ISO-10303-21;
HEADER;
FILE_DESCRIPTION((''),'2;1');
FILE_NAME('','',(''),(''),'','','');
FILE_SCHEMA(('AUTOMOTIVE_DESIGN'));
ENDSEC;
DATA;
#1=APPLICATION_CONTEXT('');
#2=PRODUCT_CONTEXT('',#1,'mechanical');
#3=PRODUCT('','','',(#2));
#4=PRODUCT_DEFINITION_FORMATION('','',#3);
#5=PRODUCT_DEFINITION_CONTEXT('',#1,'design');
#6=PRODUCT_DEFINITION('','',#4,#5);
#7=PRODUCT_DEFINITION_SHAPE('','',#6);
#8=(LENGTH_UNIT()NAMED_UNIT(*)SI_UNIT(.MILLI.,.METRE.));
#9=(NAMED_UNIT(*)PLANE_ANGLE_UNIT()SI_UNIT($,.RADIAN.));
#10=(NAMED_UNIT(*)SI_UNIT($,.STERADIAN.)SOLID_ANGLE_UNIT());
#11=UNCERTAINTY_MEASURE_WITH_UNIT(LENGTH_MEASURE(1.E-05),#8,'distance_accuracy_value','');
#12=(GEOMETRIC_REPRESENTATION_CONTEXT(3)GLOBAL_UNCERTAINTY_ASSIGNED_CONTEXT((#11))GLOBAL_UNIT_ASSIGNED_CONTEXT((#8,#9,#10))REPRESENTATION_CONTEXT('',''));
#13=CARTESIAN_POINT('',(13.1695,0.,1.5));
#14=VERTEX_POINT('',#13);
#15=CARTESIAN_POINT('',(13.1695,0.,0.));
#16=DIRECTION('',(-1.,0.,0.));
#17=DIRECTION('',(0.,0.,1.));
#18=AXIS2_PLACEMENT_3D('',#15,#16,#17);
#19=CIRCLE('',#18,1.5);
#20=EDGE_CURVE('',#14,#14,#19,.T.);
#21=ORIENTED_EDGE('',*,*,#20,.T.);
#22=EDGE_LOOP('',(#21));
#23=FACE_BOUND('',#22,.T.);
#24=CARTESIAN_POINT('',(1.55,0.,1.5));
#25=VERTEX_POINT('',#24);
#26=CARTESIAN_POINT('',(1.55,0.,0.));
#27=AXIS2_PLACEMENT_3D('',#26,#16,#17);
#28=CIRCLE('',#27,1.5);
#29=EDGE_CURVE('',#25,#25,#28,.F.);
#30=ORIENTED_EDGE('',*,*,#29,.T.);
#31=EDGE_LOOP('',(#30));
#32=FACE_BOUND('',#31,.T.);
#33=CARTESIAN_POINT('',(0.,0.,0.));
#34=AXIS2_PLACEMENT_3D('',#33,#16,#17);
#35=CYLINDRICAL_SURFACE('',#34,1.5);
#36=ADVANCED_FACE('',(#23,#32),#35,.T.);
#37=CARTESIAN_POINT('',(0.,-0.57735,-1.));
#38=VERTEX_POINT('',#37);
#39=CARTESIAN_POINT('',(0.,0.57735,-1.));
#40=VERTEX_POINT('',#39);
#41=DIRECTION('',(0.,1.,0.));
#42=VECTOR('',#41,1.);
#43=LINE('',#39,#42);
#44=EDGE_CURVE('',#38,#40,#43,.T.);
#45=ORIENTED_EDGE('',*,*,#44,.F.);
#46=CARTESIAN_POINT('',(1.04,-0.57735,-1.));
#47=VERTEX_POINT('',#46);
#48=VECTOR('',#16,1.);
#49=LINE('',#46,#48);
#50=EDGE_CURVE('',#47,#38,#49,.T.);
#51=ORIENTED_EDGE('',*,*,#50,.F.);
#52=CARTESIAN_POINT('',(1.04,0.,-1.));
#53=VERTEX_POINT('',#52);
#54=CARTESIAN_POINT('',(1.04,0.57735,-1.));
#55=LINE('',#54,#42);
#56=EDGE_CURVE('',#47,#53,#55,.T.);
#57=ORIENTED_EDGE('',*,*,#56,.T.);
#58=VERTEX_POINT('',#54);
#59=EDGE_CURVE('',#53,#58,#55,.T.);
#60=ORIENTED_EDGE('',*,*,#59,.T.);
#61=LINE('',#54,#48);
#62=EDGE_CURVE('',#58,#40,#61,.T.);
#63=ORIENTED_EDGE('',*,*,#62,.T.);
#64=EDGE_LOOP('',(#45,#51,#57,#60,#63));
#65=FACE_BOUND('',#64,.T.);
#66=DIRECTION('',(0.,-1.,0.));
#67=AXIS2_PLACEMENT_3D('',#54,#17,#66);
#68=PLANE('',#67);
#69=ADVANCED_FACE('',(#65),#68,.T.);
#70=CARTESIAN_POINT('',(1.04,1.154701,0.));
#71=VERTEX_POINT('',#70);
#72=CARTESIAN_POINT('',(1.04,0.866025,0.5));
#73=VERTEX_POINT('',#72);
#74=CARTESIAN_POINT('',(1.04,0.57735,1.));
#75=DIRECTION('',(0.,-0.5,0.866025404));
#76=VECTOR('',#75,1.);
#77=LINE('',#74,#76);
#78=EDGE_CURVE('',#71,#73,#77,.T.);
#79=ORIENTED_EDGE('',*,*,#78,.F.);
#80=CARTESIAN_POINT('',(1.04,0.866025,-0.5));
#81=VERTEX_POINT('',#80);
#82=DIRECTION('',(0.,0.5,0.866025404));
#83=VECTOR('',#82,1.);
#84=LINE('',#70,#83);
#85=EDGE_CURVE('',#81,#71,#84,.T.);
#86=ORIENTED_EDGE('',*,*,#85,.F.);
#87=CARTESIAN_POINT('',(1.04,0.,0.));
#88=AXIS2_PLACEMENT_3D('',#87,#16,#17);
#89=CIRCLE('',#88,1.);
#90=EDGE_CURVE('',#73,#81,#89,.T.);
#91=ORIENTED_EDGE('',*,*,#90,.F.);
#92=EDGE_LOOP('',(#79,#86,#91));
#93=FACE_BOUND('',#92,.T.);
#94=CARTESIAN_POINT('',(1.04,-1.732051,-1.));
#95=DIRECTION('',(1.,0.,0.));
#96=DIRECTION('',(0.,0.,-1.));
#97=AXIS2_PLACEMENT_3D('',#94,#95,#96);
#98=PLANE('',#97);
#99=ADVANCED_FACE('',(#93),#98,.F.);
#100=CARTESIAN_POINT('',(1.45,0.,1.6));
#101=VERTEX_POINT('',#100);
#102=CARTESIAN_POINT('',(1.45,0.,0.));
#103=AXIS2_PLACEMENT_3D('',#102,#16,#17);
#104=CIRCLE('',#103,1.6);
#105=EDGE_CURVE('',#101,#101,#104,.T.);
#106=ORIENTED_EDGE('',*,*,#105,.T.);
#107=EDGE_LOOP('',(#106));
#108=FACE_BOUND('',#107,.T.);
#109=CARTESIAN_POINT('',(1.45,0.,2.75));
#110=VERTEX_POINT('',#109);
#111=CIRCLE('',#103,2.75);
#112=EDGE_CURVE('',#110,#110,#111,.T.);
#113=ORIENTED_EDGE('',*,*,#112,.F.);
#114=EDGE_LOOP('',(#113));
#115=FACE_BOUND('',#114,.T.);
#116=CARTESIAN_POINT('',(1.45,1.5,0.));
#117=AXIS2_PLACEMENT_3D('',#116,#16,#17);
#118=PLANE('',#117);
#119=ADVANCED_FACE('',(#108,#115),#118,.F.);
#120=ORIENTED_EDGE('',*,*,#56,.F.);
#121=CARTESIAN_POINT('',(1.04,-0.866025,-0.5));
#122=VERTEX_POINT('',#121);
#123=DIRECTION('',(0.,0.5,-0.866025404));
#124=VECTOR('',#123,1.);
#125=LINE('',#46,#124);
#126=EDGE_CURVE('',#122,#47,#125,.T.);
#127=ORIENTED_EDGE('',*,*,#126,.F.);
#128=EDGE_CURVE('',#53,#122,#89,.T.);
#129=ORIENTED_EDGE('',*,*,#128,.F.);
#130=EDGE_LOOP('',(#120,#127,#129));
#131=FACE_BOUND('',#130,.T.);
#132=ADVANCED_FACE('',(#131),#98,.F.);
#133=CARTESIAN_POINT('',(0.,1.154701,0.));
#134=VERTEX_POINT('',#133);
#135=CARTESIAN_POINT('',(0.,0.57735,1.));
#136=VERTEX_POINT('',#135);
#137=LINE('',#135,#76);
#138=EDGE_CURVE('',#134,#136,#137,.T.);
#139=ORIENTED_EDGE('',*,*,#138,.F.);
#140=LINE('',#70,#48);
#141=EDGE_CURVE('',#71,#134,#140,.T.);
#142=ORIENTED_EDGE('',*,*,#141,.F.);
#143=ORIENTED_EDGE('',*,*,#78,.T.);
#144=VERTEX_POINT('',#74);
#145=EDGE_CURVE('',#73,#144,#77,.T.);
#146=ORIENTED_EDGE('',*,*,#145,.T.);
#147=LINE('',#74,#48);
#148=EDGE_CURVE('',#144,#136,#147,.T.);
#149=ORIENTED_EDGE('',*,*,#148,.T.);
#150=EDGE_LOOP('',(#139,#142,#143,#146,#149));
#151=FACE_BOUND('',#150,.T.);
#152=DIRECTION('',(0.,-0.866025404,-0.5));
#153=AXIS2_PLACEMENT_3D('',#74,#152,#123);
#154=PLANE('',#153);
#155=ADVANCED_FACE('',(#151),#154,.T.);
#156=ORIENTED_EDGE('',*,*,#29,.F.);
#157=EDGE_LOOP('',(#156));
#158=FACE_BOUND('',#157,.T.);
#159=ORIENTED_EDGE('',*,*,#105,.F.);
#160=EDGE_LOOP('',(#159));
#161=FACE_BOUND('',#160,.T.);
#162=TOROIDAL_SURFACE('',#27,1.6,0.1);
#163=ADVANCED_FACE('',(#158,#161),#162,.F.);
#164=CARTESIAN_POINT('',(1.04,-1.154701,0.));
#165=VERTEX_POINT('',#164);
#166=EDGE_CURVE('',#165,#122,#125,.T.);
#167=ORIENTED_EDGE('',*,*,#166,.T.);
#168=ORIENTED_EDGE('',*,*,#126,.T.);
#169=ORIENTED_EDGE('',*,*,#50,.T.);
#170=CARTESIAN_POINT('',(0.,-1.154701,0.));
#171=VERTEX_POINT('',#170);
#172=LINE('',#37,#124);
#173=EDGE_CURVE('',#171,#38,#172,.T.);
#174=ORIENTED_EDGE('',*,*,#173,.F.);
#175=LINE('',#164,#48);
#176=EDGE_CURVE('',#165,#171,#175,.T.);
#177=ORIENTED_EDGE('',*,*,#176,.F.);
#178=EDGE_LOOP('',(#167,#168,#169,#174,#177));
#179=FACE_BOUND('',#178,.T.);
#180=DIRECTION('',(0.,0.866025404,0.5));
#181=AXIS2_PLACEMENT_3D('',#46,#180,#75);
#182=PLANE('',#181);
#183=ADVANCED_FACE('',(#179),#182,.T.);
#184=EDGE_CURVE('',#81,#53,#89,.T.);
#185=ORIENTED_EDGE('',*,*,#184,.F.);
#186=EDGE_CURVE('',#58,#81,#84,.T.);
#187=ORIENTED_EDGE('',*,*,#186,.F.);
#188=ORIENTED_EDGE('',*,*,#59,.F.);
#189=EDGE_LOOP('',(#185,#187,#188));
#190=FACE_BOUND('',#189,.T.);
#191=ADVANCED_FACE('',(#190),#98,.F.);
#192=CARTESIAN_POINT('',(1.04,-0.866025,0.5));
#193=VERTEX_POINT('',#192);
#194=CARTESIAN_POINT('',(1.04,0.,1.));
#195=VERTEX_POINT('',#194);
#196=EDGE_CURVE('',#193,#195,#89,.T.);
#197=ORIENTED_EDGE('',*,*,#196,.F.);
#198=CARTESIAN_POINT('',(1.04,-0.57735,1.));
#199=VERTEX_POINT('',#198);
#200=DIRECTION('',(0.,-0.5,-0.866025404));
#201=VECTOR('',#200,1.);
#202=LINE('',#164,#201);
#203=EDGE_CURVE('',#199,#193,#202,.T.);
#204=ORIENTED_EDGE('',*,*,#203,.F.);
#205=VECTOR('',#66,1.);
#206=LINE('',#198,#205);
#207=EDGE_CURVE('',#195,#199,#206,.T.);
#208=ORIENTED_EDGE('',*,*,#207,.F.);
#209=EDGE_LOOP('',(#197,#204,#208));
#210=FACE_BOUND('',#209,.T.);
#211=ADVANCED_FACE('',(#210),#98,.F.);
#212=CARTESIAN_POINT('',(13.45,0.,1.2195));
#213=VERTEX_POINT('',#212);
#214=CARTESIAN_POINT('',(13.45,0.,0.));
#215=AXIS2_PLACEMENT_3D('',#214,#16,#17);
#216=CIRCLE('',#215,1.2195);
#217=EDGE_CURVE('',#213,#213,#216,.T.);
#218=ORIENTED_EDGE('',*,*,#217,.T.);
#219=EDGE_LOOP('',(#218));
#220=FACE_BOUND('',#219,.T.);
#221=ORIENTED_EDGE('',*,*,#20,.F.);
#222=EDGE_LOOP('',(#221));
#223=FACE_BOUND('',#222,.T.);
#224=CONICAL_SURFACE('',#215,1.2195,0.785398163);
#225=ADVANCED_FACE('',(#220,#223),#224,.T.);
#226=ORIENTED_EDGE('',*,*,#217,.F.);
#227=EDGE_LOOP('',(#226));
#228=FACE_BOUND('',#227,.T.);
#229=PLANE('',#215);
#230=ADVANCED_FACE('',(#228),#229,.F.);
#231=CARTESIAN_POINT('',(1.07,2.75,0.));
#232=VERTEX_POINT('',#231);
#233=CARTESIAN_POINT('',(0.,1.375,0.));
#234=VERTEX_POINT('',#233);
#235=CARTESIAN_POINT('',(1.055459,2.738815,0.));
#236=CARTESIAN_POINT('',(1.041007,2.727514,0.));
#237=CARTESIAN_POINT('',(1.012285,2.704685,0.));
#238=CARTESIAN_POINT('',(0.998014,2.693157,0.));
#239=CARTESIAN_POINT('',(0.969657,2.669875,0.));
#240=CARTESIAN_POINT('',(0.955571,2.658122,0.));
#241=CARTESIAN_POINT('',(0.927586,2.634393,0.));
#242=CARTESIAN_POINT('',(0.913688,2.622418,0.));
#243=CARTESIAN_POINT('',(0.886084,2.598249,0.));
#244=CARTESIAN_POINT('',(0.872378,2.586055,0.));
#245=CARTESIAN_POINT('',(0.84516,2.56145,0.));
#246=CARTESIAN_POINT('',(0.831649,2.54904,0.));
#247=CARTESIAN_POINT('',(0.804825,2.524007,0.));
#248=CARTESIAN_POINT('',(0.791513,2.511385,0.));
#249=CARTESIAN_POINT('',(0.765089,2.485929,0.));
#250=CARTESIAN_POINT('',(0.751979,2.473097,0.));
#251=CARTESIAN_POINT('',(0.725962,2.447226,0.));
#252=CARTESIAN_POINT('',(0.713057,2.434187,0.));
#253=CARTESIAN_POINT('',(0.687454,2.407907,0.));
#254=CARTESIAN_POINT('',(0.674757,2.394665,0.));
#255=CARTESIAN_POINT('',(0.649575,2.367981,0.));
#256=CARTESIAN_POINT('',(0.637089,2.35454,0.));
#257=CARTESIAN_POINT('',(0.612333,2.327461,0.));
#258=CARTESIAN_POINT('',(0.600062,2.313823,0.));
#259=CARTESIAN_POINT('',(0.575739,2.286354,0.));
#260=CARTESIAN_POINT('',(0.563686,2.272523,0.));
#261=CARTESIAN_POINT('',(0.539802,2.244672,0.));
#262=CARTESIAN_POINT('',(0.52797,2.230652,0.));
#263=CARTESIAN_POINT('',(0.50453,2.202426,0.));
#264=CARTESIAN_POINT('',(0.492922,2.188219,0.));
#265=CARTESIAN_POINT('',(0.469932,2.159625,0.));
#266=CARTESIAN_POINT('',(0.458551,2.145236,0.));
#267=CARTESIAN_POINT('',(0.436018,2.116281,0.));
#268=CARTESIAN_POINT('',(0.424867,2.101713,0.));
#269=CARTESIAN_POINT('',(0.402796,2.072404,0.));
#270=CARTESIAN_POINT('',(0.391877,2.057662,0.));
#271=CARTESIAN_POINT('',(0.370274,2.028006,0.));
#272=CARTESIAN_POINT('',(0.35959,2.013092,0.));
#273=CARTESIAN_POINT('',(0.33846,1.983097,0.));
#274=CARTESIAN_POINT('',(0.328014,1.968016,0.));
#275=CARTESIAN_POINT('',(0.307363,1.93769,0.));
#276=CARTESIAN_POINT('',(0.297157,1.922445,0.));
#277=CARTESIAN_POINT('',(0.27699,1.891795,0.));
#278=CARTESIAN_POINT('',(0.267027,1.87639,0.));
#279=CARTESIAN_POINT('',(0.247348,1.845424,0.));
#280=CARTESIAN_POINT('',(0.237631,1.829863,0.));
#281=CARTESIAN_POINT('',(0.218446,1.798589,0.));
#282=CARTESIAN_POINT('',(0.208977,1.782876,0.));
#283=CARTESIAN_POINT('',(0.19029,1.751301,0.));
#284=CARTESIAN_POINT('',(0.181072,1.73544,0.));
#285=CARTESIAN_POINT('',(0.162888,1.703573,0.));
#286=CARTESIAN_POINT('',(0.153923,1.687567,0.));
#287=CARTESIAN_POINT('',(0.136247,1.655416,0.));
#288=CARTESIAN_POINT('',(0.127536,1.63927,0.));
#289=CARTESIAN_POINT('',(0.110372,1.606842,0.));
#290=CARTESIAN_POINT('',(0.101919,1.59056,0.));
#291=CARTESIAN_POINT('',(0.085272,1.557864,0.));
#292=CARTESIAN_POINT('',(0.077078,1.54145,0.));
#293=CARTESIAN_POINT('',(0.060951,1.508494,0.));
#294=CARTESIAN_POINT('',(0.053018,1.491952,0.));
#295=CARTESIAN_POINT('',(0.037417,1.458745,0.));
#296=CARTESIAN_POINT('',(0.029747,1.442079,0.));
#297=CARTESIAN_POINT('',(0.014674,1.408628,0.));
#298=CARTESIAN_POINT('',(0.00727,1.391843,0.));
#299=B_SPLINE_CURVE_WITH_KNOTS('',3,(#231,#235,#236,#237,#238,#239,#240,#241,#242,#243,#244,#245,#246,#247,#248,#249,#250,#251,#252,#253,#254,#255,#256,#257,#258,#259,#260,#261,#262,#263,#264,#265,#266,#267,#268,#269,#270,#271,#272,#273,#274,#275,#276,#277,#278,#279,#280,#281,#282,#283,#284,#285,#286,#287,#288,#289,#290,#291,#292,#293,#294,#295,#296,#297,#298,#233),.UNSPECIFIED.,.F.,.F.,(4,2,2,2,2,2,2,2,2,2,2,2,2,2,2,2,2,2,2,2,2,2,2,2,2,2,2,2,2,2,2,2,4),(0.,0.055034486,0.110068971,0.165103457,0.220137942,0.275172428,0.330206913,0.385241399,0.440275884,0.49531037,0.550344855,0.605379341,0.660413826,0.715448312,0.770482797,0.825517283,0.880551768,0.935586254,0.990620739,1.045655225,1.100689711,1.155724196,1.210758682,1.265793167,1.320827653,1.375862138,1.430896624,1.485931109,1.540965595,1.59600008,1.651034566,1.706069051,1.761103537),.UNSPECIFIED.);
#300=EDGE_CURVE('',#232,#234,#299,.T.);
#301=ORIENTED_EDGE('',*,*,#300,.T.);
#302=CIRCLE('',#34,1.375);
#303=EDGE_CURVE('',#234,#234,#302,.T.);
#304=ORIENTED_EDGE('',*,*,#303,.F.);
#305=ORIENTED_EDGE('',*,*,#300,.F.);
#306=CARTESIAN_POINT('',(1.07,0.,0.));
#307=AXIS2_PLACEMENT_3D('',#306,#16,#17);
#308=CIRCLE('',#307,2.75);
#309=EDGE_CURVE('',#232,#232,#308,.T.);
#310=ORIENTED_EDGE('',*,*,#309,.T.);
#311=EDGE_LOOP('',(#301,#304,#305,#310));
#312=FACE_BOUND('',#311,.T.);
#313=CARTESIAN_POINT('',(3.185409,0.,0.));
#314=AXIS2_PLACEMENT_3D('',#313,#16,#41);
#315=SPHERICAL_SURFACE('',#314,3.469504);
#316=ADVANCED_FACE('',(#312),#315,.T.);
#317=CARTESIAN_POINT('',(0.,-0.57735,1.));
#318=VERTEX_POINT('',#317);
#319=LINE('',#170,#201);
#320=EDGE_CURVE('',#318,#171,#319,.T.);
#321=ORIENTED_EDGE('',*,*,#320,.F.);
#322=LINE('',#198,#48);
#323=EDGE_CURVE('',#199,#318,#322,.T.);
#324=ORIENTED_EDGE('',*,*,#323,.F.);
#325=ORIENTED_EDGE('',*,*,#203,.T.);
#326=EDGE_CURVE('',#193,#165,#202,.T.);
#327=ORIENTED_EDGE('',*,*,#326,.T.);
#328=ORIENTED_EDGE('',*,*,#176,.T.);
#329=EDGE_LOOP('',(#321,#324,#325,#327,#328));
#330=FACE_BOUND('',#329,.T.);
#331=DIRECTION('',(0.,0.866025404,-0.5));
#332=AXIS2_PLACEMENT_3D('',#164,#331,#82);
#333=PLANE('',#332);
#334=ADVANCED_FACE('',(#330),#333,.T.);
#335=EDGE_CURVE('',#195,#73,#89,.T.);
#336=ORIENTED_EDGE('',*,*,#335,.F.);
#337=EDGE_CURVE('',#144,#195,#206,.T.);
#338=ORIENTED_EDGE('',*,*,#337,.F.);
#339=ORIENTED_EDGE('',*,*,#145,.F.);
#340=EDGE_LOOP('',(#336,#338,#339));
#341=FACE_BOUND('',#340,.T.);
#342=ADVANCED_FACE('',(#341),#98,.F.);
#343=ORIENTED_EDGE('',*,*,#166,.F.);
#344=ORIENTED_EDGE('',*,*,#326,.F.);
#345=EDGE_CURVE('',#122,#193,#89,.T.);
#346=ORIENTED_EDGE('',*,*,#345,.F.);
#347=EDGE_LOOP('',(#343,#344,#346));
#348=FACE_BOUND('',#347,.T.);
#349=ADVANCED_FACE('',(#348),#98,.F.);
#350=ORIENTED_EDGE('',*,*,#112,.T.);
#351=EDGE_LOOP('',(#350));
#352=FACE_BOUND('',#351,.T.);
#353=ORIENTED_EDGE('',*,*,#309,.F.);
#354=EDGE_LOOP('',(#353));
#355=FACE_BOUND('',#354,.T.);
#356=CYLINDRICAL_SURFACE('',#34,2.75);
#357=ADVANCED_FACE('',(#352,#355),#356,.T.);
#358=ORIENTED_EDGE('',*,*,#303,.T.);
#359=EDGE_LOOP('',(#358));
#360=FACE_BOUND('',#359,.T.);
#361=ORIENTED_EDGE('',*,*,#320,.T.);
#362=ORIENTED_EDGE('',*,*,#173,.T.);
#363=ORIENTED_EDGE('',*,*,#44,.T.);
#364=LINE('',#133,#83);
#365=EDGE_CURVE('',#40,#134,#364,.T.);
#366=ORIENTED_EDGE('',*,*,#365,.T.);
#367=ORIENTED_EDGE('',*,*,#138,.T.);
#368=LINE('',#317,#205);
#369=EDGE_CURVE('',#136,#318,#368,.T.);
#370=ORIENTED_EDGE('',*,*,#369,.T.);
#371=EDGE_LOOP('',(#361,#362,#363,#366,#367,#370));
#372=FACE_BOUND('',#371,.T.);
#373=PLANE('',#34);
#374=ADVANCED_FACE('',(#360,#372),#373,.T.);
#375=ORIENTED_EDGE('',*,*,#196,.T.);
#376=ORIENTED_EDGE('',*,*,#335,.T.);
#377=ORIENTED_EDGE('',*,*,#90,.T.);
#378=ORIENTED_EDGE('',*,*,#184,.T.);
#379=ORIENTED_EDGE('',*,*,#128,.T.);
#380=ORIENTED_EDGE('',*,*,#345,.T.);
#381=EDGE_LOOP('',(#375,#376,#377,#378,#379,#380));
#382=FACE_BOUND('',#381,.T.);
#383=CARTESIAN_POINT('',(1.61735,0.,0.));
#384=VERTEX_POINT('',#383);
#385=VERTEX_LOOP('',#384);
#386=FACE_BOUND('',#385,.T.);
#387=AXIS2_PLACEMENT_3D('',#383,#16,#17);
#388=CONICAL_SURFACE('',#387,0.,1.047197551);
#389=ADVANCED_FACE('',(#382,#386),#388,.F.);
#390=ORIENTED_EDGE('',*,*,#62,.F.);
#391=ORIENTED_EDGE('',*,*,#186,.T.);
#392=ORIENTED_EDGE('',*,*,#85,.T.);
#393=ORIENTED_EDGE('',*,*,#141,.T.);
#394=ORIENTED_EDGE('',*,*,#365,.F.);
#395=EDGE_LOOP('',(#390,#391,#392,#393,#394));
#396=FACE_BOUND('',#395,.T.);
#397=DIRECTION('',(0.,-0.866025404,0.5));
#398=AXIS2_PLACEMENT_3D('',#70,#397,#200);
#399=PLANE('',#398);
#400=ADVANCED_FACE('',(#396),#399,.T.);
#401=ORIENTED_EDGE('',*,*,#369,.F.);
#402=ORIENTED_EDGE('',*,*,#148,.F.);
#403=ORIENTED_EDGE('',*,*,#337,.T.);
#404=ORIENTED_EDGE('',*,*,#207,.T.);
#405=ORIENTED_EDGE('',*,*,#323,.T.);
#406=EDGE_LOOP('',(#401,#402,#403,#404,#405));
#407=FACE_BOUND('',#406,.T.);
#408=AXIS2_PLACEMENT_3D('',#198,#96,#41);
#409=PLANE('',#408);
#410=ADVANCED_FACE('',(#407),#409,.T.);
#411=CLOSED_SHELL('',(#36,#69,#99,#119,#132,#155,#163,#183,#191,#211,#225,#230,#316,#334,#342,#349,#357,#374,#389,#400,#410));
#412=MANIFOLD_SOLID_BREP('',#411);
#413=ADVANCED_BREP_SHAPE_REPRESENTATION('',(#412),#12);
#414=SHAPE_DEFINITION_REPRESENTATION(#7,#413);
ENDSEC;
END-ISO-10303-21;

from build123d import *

# Parameters (mm, degrees)
FILLET1_R   = 0.1
HEX_2_DEPTH = 1.04


with BuildPart() as part:
    # BodySke → BaseBody (revolve)
    with BuildSketch(Plane.XY, mode=Mode.PRIVATE) as basebody_sk:
        with BuildLine():
            Line((13.45, 0), (13.45, 1.2195))
            Line((13.45, 1.2195), (13.1695, 1.5))
            Line((13.1695, 1.5), (1.45, 1.5))
            Line((1.45, 1.5), (1.45, 2.75))
            Line((1.45, 2.75), (1.07, 2.75))
            ThreePointArc((1.07, 2.75), (0.447284799, 2.130758374), (0, 1.375))
            Line((0, 1.375), (0, 0))
            Line((0, 0), (13.45, 0))
        make_face()
    revolve(basebody_sk.sketch.rotate(Axis((0, 0, 0), (1, 0, 0)), 90), axis=Axis((0, 0, 0), (1, 0, 0)))

    # Fillet1
    fillet1_edges = [part.edges().sort_by_distance(p)[0] for p in [
        (1.45, 0, -1.5),
    ]]
    fillet(fillet1_edges, radius=FILLET1_R)

    # Sketch2 → PreBroach (revolve, cut)
    with BuildSketch(Plane.XY, mode=Mode.PRIVATE) as prebroach_sk:
        Polygon((0, 1), (1.04, 1), (1.617350269, 0), (0, 0), align=None)
    revolve(prebroach_sk.sketch.rotate(Axis((0, 0, 0), (1, 0, 0)), 90), axis=Axis((0, 0, 0), (1, 0, 0)), mode=Mode.SUBTRACT)

    # Sketch3 → Hex 2 (cut)
    with BuildSketch(Plane(origin=(0, 0, 0), x_dir=(0, 0, -1), z_dir=(1, 0, 0))):
        Polygon((-1, -0.577350269), (-1, 0.577350269), (0, 1.154700538), (1, 0.577350269), (1, -0.577350269), (0, -1.154700538), align=None)
    extrude(amount=HEX_2_DEPTH, mode=Mode.SUBTRACT)


solid = part.part
